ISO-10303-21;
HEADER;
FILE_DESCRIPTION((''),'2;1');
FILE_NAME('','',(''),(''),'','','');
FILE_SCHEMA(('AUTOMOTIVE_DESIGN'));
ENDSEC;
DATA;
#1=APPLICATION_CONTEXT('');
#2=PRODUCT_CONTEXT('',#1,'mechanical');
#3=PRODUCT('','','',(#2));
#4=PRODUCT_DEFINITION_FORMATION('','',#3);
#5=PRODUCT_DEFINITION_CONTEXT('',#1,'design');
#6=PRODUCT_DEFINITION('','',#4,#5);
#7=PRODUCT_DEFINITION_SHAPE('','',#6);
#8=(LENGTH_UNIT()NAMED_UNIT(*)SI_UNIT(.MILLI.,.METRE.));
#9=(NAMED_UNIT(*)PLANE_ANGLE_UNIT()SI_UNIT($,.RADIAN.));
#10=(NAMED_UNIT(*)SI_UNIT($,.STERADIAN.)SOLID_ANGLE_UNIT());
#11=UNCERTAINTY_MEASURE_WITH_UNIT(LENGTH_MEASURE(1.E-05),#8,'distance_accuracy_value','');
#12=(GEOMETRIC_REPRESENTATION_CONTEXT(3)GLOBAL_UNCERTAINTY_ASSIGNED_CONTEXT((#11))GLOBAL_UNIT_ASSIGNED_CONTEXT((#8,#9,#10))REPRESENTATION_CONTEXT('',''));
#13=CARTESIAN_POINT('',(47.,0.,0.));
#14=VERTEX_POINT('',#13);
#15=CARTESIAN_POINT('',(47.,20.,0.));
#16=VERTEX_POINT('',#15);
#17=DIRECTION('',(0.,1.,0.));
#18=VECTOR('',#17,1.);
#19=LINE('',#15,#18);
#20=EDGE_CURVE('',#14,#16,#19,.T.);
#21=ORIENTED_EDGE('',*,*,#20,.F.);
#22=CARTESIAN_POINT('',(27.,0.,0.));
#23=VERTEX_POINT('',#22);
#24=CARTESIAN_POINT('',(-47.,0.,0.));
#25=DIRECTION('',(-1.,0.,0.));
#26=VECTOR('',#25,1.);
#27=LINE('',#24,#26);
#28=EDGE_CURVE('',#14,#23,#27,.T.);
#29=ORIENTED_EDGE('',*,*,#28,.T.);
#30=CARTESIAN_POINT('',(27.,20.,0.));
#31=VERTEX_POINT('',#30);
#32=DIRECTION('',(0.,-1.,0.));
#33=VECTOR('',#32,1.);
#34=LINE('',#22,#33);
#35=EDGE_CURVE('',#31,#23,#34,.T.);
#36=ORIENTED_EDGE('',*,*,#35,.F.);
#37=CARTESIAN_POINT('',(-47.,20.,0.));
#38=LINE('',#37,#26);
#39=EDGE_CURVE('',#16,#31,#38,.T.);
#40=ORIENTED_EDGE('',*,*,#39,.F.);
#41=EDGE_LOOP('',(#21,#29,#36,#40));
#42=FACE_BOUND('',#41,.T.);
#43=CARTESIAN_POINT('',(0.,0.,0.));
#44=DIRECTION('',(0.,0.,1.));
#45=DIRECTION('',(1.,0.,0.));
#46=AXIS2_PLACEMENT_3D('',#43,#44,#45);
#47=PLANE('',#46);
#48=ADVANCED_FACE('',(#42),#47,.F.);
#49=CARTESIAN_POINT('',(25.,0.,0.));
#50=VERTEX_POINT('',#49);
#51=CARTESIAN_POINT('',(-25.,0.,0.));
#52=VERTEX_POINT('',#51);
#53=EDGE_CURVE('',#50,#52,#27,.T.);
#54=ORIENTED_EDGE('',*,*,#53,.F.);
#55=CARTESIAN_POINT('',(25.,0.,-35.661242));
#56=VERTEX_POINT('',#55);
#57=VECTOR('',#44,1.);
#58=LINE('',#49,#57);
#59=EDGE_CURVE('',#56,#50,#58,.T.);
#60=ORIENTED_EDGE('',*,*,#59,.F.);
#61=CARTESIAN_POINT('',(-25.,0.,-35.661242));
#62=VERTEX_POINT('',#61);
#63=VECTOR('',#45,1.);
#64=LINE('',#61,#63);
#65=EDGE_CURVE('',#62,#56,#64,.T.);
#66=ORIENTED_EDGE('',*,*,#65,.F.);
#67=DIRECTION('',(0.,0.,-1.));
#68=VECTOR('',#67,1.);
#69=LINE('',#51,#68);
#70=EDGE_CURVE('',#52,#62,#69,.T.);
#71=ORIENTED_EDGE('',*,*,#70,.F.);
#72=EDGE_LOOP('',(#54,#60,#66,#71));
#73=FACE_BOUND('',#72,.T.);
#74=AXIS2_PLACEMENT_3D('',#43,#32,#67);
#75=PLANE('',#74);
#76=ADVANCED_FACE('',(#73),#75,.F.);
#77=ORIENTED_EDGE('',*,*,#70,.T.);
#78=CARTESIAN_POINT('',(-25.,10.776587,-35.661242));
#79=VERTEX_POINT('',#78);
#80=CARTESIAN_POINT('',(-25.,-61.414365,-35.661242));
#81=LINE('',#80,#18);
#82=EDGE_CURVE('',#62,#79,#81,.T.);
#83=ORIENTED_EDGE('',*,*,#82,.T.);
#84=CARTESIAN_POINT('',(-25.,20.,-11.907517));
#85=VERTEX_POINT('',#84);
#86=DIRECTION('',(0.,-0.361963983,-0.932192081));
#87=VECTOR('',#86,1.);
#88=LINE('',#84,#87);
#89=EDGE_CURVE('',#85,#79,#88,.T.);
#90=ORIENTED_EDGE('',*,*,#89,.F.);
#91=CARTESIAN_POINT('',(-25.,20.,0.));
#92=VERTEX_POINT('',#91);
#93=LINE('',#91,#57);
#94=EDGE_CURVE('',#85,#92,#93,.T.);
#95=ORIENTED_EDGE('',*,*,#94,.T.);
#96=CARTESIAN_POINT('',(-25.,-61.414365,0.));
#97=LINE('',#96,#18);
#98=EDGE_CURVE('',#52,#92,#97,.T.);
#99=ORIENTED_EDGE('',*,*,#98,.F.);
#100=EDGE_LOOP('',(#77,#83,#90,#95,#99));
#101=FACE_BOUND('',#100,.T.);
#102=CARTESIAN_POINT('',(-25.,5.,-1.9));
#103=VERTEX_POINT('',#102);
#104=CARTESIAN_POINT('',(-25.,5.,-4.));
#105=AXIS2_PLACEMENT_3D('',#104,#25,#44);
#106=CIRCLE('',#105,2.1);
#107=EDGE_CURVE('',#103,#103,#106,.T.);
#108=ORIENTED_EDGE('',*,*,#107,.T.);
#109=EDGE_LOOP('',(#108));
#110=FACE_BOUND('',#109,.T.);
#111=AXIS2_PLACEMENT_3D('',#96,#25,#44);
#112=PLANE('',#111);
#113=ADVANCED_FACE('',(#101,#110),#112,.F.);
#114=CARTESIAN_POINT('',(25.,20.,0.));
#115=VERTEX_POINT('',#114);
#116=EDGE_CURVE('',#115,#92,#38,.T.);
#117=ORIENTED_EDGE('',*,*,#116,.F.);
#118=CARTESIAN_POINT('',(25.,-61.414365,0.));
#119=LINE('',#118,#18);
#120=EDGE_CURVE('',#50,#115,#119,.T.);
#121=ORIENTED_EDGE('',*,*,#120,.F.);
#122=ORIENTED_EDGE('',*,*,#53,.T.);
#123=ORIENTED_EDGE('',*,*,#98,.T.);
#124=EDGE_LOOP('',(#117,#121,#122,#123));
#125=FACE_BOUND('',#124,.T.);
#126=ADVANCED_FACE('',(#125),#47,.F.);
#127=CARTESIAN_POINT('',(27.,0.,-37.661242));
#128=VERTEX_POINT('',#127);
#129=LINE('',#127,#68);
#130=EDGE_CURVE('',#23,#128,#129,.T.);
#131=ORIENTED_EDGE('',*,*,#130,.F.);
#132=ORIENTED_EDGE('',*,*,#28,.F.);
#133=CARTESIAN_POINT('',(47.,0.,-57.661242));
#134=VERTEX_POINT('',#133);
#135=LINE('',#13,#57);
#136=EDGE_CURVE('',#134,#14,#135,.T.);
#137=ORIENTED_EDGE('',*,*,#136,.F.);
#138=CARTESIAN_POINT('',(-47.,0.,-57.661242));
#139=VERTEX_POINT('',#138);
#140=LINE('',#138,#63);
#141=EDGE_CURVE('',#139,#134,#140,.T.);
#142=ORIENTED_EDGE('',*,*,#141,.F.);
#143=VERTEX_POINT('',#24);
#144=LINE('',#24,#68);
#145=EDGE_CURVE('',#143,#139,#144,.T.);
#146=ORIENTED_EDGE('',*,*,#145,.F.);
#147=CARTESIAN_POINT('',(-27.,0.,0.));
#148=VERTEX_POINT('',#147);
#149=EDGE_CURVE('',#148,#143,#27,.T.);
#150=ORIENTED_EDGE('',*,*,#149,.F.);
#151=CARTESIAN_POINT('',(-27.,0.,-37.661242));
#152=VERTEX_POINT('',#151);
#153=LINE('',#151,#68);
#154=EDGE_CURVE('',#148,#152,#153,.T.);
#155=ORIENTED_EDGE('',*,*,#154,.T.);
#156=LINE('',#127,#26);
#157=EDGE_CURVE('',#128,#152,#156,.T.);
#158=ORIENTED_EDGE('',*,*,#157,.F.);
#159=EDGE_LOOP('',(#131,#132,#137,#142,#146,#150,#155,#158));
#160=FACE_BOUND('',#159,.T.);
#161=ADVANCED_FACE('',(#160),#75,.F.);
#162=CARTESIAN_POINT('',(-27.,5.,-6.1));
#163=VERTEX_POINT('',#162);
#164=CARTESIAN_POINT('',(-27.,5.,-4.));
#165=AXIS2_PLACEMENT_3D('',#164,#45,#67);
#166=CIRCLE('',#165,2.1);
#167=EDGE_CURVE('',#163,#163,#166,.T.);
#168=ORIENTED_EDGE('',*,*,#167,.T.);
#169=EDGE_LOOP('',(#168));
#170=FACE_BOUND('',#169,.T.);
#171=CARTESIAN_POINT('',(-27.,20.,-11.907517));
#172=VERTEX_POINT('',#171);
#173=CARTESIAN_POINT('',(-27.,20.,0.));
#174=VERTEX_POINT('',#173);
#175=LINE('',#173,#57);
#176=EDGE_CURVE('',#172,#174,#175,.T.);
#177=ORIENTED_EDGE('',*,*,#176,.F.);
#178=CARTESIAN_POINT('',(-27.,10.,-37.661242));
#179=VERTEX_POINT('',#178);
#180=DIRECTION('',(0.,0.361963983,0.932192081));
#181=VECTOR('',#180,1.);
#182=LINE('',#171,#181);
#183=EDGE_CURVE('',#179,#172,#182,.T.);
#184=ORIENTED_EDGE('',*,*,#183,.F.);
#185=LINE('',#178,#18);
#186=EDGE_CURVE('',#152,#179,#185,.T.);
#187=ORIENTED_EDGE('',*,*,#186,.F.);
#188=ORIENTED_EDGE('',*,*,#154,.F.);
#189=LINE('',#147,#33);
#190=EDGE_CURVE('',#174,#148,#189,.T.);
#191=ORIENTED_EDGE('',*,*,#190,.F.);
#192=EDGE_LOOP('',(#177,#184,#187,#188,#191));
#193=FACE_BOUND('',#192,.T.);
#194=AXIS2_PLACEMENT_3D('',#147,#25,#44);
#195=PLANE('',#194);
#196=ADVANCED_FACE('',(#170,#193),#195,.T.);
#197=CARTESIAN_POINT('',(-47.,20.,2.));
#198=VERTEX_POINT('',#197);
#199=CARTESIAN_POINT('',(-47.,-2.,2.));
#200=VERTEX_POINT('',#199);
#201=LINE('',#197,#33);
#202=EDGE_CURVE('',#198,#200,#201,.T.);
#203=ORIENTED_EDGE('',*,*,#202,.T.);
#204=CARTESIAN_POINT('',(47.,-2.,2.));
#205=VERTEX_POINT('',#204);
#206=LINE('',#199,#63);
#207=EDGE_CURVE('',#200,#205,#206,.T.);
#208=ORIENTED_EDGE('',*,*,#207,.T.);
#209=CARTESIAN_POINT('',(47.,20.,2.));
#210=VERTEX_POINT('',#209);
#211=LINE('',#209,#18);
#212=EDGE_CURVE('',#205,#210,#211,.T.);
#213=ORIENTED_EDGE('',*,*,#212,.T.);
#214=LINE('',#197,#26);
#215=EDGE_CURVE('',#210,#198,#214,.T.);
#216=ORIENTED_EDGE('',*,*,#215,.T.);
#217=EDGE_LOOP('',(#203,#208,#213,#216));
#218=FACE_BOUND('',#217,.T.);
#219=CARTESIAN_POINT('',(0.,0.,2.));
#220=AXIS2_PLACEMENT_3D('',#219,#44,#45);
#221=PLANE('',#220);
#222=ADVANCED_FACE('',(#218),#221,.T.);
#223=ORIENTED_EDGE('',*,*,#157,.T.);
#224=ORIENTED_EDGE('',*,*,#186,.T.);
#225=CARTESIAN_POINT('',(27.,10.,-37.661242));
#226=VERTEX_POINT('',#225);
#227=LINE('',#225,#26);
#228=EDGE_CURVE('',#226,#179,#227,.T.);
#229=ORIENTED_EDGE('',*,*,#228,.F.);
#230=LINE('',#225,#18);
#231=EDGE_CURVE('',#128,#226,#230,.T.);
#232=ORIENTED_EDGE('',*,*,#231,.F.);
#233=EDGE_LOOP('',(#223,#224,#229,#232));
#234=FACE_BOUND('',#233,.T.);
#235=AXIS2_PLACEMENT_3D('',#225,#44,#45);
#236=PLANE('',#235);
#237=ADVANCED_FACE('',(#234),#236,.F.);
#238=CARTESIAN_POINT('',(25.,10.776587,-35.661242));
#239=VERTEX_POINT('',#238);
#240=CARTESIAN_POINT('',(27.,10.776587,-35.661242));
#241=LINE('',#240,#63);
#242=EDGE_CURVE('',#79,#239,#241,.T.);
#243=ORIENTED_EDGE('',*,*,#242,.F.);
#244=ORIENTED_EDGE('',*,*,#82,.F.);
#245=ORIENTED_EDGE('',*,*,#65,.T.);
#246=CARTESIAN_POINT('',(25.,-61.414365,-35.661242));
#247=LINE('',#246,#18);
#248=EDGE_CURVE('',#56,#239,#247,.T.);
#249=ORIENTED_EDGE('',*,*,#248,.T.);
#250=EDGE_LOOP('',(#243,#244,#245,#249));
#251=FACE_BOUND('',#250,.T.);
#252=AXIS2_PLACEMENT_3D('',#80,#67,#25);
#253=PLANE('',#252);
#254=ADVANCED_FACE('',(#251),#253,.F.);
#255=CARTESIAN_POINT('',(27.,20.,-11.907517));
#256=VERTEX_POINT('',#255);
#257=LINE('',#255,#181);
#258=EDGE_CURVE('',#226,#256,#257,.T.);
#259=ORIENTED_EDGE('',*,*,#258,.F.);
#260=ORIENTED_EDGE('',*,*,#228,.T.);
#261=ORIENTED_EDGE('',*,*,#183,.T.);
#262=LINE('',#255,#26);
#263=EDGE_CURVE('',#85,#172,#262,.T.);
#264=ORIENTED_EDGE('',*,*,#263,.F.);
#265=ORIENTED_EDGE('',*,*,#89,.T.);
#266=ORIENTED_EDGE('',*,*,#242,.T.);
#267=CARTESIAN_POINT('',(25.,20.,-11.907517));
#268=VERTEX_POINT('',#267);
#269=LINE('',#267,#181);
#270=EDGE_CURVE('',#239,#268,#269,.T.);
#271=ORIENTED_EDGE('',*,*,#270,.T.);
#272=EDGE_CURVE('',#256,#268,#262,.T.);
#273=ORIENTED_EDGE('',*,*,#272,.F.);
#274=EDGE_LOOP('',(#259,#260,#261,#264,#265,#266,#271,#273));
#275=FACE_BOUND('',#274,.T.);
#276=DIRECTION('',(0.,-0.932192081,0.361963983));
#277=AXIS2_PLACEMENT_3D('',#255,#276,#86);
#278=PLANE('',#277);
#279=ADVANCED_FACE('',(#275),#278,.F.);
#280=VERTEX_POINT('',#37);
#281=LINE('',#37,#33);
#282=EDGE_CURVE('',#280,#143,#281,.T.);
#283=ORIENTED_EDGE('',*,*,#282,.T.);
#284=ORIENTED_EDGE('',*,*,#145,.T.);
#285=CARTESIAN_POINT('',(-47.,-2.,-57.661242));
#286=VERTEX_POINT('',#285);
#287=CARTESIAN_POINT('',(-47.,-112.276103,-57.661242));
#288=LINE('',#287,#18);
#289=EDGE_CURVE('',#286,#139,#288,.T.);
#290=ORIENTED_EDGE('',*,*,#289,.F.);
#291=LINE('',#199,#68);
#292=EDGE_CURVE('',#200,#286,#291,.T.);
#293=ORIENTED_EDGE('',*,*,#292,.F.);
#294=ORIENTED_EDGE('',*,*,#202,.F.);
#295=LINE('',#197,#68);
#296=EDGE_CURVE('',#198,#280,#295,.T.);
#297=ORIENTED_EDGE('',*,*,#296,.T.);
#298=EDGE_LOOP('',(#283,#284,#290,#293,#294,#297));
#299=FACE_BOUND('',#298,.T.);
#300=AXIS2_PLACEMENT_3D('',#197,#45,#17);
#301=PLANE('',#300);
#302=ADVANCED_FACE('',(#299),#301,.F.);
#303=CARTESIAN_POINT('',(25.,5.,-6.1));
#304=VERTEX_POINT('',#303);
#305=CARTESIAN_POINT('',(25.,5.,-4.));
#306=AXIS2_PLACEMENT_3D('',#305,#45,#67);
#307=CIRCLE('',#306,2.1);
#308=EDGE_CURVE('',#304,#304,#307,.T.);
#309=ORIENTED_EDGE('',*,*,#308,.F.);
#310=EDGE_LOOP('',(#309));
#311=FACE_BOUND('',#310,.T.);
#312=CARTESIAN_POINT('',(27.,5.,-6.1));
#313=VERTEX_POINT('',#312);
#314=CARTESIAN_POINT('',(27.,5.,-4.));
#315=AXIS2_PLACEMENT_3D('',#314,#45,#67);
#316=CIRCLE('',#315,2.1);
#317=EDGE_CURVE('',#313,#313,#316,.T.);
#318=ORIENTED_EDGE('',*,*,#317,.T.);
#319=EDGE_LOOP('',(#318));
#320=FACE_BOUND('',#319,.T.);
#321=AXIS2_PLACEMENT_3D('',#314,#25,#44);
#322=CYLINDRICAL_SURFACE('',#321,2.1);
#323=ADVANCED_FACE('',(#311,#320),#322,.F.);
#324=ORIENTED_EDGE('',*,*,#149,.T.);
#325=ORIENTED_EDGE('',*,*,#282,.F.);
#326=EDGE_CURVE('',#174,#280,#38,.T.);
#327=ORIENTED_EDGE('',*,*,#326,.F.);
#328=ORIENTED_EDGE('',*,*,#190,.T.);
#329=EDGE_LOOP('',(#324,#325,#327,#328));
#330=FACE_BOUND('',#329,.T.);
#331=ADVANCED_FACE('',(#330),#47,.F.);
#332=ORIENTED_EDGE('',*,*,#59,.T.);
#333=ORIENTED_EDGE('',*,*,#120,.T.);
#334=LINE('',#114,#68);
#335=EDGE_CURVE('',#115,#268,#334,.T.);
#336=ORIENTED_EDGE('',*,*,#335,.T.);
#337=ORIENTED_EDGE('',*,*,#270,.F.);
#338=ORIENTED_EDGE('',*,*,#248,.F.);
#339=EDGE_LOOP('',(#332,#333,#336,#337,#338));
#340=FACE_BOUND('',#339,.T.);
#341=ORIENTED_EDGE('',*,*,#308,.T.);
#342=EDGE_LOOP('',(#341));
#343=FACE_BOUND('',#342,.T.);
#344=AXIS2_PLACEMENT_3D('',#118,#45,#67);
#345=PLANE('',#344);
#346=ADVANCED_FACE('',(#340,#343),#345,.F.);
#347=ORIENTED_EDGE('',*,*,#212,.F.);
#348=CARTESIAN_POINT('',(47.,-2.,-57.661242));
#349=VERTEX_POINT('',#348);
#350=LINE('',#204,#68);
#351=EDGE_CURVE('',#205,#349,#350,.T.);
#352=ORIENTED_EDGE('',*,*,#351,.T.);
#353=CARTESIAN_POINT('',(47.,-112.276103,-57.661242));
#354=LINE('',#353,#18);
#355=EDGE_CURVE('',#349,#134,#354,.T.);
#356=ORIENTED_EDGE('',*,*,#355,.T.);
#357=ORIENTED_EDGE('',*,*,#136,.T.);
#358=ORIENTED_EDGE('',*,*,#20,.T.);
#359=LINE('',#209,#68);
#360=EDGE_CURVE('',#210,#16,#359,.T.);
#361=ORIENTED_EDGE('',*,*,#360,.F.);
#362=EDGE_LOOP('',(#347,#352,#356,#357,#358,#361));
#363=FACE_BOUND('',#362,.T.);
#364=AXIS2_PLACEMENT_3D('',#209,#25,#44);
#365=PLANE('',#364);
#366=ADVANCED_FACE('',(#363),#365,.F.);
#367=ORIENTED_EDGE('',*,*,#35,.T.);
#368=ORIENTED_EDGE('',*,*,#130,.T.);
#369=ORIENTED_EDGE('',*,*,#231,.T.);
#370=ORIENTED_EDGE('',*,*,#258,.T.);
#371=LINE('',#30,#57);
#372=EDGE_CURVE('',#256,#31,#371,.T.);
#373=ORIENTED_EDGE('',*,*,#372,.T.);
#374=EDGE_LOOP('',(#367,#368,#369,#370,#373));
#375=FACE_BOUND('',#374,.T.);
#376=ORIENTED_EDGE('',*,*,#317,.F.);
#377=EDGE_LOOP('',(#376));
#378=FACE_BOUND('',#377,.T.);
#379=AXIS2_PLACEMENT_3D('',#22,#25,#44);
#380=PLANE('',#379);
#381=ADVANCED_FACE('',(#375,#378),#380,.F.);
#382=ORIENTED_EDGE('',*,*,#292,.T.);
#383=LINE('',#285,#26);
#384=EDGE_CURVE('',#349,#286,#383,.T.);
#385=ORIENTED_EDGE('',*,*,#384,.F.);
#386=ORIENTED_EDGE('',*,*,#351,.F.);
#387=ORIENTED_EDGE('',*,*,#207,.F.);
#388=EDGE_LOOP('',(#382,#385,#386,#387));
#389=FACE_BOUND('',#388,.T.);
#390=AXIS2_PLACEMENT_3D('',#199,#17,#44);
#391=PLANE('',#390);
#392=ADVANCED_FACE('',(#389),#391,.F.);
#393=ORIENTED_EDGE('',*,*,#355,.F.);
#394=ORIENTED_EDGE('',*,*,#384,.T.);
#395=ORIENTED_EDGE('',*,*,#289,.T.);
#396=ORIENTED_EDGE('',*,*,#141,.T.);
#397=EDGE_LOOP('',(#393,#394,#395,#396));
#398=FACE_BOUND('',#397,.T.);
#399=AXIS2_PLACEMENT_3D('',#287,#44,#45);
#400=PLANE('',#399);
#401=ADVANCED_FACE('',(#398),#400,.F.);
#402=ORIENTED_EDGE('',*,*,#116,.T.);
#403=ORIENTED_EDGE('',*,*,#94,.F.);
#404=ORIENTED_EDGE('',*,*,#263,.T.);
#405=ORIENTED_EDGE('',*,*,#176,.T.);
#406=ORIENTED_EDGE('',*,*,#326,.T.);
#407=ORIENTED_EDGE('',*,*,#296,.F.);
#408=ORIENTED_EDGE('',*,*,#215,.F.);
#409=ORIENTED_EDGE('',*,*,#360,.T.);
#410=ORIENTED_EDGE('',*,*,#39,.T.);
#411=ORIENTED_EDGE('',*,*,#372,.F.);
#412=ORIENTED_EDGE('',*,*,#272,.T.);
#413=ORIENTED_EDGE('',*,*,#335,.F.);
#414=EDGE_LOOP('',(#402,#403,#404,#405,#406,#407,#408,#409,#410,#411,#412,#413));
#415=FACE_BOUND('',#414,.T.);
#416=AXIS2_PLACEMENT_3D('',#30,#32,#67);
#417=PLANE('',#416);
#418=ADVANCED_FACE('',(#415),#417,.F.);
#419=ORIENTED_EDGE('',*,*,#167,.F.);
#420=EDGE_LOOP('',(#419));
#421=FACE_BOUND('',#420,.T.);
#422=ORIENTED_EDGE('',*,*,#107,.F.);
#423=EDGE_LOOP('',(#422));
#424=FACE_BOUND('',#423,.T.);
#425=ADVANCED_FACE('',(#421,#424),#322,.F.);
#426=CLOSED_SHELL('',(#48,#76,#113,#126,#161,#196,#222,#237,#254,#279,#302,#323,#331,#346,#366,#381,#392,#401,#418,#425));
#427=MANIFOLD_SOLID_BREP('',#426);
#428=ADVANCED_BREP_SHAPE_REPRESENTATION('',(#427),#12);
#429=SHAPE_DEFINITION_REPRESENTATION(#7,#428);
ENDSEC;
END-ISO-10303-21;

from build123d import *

# Parameters (mm, degrees)
CROQUIS1_R              = 2.1
SALIENTE_EXTRUIR1_DEPTH = 27
CROQUIS2_W              = 50
CROQUIS2_H              = 35.661242199
CORTAR_EXTRUIR1_DEPTH   = 20
CROQUIS3_W              = 94
CROQUIS3_H              = 22
SALIENTE_EXTRUIR2_DEPTH = 2
CROQUIS4_W              = 94
CROQUIS4_H              = 57.661242199
SALIENTE_EXTRUIR3_DEPTH = 2


with BuildPart() as part:
    # Croquis1 → Saliente-Extruir1 (new body, symmetric)
    with BuildSketch(Plane(origin=(0, 0, 0), x_dir=(0, 0, -1), z_dir=(1, 0, 0))):
        Polygon((0, 0), (0, 20), (11.90751736, 20), (37.661242199, 10), (37.661242199, 0), align=None)
        with Locations((4, 5)):
            Circle(CROQUIS1_R, mode=Mode.SUBTRACT)
    extrude(amount=SALIENTE_EXTRUIR1_DEPTH, both=True)

    # Croquis2 → Cortar-Extruir1 (cut)
    with BuildSketch(Plane(origin=(0, 20, 0), x_dir=(1, 0, 0), z_dir=(0, 1, 0))):
        with Locations((0, 17.8306211)):
            Rectangle(CROQUIS2_W, CROQUIS2_H)
    extrude(amount=-CORTAR_EXTRUIR1_DEPTH, mode=Mode.SUBTRACT)

    # Croquis3 → Saliente-Extruir2 (add)
    with BuildSketch(Plane.XY):
        with Locations((0, 9)):
            Rectangle(CROQUIS3_W, CROQUIS3_H)
    extrude(amount=SALIENTE_EXTRUIR2_DEPTH)

    # Croquis4 → Saliente-Extruir3 (add)
    with BuildSketch(Plane.XZ):
        with Locations((0, -28.8306211)):
            Rectangle(CROQUIS4_W, CROQUIS4_H)
    extrude(amount=SALIENTE_EXTRUIR3_DEPTH)


solid = part.part
